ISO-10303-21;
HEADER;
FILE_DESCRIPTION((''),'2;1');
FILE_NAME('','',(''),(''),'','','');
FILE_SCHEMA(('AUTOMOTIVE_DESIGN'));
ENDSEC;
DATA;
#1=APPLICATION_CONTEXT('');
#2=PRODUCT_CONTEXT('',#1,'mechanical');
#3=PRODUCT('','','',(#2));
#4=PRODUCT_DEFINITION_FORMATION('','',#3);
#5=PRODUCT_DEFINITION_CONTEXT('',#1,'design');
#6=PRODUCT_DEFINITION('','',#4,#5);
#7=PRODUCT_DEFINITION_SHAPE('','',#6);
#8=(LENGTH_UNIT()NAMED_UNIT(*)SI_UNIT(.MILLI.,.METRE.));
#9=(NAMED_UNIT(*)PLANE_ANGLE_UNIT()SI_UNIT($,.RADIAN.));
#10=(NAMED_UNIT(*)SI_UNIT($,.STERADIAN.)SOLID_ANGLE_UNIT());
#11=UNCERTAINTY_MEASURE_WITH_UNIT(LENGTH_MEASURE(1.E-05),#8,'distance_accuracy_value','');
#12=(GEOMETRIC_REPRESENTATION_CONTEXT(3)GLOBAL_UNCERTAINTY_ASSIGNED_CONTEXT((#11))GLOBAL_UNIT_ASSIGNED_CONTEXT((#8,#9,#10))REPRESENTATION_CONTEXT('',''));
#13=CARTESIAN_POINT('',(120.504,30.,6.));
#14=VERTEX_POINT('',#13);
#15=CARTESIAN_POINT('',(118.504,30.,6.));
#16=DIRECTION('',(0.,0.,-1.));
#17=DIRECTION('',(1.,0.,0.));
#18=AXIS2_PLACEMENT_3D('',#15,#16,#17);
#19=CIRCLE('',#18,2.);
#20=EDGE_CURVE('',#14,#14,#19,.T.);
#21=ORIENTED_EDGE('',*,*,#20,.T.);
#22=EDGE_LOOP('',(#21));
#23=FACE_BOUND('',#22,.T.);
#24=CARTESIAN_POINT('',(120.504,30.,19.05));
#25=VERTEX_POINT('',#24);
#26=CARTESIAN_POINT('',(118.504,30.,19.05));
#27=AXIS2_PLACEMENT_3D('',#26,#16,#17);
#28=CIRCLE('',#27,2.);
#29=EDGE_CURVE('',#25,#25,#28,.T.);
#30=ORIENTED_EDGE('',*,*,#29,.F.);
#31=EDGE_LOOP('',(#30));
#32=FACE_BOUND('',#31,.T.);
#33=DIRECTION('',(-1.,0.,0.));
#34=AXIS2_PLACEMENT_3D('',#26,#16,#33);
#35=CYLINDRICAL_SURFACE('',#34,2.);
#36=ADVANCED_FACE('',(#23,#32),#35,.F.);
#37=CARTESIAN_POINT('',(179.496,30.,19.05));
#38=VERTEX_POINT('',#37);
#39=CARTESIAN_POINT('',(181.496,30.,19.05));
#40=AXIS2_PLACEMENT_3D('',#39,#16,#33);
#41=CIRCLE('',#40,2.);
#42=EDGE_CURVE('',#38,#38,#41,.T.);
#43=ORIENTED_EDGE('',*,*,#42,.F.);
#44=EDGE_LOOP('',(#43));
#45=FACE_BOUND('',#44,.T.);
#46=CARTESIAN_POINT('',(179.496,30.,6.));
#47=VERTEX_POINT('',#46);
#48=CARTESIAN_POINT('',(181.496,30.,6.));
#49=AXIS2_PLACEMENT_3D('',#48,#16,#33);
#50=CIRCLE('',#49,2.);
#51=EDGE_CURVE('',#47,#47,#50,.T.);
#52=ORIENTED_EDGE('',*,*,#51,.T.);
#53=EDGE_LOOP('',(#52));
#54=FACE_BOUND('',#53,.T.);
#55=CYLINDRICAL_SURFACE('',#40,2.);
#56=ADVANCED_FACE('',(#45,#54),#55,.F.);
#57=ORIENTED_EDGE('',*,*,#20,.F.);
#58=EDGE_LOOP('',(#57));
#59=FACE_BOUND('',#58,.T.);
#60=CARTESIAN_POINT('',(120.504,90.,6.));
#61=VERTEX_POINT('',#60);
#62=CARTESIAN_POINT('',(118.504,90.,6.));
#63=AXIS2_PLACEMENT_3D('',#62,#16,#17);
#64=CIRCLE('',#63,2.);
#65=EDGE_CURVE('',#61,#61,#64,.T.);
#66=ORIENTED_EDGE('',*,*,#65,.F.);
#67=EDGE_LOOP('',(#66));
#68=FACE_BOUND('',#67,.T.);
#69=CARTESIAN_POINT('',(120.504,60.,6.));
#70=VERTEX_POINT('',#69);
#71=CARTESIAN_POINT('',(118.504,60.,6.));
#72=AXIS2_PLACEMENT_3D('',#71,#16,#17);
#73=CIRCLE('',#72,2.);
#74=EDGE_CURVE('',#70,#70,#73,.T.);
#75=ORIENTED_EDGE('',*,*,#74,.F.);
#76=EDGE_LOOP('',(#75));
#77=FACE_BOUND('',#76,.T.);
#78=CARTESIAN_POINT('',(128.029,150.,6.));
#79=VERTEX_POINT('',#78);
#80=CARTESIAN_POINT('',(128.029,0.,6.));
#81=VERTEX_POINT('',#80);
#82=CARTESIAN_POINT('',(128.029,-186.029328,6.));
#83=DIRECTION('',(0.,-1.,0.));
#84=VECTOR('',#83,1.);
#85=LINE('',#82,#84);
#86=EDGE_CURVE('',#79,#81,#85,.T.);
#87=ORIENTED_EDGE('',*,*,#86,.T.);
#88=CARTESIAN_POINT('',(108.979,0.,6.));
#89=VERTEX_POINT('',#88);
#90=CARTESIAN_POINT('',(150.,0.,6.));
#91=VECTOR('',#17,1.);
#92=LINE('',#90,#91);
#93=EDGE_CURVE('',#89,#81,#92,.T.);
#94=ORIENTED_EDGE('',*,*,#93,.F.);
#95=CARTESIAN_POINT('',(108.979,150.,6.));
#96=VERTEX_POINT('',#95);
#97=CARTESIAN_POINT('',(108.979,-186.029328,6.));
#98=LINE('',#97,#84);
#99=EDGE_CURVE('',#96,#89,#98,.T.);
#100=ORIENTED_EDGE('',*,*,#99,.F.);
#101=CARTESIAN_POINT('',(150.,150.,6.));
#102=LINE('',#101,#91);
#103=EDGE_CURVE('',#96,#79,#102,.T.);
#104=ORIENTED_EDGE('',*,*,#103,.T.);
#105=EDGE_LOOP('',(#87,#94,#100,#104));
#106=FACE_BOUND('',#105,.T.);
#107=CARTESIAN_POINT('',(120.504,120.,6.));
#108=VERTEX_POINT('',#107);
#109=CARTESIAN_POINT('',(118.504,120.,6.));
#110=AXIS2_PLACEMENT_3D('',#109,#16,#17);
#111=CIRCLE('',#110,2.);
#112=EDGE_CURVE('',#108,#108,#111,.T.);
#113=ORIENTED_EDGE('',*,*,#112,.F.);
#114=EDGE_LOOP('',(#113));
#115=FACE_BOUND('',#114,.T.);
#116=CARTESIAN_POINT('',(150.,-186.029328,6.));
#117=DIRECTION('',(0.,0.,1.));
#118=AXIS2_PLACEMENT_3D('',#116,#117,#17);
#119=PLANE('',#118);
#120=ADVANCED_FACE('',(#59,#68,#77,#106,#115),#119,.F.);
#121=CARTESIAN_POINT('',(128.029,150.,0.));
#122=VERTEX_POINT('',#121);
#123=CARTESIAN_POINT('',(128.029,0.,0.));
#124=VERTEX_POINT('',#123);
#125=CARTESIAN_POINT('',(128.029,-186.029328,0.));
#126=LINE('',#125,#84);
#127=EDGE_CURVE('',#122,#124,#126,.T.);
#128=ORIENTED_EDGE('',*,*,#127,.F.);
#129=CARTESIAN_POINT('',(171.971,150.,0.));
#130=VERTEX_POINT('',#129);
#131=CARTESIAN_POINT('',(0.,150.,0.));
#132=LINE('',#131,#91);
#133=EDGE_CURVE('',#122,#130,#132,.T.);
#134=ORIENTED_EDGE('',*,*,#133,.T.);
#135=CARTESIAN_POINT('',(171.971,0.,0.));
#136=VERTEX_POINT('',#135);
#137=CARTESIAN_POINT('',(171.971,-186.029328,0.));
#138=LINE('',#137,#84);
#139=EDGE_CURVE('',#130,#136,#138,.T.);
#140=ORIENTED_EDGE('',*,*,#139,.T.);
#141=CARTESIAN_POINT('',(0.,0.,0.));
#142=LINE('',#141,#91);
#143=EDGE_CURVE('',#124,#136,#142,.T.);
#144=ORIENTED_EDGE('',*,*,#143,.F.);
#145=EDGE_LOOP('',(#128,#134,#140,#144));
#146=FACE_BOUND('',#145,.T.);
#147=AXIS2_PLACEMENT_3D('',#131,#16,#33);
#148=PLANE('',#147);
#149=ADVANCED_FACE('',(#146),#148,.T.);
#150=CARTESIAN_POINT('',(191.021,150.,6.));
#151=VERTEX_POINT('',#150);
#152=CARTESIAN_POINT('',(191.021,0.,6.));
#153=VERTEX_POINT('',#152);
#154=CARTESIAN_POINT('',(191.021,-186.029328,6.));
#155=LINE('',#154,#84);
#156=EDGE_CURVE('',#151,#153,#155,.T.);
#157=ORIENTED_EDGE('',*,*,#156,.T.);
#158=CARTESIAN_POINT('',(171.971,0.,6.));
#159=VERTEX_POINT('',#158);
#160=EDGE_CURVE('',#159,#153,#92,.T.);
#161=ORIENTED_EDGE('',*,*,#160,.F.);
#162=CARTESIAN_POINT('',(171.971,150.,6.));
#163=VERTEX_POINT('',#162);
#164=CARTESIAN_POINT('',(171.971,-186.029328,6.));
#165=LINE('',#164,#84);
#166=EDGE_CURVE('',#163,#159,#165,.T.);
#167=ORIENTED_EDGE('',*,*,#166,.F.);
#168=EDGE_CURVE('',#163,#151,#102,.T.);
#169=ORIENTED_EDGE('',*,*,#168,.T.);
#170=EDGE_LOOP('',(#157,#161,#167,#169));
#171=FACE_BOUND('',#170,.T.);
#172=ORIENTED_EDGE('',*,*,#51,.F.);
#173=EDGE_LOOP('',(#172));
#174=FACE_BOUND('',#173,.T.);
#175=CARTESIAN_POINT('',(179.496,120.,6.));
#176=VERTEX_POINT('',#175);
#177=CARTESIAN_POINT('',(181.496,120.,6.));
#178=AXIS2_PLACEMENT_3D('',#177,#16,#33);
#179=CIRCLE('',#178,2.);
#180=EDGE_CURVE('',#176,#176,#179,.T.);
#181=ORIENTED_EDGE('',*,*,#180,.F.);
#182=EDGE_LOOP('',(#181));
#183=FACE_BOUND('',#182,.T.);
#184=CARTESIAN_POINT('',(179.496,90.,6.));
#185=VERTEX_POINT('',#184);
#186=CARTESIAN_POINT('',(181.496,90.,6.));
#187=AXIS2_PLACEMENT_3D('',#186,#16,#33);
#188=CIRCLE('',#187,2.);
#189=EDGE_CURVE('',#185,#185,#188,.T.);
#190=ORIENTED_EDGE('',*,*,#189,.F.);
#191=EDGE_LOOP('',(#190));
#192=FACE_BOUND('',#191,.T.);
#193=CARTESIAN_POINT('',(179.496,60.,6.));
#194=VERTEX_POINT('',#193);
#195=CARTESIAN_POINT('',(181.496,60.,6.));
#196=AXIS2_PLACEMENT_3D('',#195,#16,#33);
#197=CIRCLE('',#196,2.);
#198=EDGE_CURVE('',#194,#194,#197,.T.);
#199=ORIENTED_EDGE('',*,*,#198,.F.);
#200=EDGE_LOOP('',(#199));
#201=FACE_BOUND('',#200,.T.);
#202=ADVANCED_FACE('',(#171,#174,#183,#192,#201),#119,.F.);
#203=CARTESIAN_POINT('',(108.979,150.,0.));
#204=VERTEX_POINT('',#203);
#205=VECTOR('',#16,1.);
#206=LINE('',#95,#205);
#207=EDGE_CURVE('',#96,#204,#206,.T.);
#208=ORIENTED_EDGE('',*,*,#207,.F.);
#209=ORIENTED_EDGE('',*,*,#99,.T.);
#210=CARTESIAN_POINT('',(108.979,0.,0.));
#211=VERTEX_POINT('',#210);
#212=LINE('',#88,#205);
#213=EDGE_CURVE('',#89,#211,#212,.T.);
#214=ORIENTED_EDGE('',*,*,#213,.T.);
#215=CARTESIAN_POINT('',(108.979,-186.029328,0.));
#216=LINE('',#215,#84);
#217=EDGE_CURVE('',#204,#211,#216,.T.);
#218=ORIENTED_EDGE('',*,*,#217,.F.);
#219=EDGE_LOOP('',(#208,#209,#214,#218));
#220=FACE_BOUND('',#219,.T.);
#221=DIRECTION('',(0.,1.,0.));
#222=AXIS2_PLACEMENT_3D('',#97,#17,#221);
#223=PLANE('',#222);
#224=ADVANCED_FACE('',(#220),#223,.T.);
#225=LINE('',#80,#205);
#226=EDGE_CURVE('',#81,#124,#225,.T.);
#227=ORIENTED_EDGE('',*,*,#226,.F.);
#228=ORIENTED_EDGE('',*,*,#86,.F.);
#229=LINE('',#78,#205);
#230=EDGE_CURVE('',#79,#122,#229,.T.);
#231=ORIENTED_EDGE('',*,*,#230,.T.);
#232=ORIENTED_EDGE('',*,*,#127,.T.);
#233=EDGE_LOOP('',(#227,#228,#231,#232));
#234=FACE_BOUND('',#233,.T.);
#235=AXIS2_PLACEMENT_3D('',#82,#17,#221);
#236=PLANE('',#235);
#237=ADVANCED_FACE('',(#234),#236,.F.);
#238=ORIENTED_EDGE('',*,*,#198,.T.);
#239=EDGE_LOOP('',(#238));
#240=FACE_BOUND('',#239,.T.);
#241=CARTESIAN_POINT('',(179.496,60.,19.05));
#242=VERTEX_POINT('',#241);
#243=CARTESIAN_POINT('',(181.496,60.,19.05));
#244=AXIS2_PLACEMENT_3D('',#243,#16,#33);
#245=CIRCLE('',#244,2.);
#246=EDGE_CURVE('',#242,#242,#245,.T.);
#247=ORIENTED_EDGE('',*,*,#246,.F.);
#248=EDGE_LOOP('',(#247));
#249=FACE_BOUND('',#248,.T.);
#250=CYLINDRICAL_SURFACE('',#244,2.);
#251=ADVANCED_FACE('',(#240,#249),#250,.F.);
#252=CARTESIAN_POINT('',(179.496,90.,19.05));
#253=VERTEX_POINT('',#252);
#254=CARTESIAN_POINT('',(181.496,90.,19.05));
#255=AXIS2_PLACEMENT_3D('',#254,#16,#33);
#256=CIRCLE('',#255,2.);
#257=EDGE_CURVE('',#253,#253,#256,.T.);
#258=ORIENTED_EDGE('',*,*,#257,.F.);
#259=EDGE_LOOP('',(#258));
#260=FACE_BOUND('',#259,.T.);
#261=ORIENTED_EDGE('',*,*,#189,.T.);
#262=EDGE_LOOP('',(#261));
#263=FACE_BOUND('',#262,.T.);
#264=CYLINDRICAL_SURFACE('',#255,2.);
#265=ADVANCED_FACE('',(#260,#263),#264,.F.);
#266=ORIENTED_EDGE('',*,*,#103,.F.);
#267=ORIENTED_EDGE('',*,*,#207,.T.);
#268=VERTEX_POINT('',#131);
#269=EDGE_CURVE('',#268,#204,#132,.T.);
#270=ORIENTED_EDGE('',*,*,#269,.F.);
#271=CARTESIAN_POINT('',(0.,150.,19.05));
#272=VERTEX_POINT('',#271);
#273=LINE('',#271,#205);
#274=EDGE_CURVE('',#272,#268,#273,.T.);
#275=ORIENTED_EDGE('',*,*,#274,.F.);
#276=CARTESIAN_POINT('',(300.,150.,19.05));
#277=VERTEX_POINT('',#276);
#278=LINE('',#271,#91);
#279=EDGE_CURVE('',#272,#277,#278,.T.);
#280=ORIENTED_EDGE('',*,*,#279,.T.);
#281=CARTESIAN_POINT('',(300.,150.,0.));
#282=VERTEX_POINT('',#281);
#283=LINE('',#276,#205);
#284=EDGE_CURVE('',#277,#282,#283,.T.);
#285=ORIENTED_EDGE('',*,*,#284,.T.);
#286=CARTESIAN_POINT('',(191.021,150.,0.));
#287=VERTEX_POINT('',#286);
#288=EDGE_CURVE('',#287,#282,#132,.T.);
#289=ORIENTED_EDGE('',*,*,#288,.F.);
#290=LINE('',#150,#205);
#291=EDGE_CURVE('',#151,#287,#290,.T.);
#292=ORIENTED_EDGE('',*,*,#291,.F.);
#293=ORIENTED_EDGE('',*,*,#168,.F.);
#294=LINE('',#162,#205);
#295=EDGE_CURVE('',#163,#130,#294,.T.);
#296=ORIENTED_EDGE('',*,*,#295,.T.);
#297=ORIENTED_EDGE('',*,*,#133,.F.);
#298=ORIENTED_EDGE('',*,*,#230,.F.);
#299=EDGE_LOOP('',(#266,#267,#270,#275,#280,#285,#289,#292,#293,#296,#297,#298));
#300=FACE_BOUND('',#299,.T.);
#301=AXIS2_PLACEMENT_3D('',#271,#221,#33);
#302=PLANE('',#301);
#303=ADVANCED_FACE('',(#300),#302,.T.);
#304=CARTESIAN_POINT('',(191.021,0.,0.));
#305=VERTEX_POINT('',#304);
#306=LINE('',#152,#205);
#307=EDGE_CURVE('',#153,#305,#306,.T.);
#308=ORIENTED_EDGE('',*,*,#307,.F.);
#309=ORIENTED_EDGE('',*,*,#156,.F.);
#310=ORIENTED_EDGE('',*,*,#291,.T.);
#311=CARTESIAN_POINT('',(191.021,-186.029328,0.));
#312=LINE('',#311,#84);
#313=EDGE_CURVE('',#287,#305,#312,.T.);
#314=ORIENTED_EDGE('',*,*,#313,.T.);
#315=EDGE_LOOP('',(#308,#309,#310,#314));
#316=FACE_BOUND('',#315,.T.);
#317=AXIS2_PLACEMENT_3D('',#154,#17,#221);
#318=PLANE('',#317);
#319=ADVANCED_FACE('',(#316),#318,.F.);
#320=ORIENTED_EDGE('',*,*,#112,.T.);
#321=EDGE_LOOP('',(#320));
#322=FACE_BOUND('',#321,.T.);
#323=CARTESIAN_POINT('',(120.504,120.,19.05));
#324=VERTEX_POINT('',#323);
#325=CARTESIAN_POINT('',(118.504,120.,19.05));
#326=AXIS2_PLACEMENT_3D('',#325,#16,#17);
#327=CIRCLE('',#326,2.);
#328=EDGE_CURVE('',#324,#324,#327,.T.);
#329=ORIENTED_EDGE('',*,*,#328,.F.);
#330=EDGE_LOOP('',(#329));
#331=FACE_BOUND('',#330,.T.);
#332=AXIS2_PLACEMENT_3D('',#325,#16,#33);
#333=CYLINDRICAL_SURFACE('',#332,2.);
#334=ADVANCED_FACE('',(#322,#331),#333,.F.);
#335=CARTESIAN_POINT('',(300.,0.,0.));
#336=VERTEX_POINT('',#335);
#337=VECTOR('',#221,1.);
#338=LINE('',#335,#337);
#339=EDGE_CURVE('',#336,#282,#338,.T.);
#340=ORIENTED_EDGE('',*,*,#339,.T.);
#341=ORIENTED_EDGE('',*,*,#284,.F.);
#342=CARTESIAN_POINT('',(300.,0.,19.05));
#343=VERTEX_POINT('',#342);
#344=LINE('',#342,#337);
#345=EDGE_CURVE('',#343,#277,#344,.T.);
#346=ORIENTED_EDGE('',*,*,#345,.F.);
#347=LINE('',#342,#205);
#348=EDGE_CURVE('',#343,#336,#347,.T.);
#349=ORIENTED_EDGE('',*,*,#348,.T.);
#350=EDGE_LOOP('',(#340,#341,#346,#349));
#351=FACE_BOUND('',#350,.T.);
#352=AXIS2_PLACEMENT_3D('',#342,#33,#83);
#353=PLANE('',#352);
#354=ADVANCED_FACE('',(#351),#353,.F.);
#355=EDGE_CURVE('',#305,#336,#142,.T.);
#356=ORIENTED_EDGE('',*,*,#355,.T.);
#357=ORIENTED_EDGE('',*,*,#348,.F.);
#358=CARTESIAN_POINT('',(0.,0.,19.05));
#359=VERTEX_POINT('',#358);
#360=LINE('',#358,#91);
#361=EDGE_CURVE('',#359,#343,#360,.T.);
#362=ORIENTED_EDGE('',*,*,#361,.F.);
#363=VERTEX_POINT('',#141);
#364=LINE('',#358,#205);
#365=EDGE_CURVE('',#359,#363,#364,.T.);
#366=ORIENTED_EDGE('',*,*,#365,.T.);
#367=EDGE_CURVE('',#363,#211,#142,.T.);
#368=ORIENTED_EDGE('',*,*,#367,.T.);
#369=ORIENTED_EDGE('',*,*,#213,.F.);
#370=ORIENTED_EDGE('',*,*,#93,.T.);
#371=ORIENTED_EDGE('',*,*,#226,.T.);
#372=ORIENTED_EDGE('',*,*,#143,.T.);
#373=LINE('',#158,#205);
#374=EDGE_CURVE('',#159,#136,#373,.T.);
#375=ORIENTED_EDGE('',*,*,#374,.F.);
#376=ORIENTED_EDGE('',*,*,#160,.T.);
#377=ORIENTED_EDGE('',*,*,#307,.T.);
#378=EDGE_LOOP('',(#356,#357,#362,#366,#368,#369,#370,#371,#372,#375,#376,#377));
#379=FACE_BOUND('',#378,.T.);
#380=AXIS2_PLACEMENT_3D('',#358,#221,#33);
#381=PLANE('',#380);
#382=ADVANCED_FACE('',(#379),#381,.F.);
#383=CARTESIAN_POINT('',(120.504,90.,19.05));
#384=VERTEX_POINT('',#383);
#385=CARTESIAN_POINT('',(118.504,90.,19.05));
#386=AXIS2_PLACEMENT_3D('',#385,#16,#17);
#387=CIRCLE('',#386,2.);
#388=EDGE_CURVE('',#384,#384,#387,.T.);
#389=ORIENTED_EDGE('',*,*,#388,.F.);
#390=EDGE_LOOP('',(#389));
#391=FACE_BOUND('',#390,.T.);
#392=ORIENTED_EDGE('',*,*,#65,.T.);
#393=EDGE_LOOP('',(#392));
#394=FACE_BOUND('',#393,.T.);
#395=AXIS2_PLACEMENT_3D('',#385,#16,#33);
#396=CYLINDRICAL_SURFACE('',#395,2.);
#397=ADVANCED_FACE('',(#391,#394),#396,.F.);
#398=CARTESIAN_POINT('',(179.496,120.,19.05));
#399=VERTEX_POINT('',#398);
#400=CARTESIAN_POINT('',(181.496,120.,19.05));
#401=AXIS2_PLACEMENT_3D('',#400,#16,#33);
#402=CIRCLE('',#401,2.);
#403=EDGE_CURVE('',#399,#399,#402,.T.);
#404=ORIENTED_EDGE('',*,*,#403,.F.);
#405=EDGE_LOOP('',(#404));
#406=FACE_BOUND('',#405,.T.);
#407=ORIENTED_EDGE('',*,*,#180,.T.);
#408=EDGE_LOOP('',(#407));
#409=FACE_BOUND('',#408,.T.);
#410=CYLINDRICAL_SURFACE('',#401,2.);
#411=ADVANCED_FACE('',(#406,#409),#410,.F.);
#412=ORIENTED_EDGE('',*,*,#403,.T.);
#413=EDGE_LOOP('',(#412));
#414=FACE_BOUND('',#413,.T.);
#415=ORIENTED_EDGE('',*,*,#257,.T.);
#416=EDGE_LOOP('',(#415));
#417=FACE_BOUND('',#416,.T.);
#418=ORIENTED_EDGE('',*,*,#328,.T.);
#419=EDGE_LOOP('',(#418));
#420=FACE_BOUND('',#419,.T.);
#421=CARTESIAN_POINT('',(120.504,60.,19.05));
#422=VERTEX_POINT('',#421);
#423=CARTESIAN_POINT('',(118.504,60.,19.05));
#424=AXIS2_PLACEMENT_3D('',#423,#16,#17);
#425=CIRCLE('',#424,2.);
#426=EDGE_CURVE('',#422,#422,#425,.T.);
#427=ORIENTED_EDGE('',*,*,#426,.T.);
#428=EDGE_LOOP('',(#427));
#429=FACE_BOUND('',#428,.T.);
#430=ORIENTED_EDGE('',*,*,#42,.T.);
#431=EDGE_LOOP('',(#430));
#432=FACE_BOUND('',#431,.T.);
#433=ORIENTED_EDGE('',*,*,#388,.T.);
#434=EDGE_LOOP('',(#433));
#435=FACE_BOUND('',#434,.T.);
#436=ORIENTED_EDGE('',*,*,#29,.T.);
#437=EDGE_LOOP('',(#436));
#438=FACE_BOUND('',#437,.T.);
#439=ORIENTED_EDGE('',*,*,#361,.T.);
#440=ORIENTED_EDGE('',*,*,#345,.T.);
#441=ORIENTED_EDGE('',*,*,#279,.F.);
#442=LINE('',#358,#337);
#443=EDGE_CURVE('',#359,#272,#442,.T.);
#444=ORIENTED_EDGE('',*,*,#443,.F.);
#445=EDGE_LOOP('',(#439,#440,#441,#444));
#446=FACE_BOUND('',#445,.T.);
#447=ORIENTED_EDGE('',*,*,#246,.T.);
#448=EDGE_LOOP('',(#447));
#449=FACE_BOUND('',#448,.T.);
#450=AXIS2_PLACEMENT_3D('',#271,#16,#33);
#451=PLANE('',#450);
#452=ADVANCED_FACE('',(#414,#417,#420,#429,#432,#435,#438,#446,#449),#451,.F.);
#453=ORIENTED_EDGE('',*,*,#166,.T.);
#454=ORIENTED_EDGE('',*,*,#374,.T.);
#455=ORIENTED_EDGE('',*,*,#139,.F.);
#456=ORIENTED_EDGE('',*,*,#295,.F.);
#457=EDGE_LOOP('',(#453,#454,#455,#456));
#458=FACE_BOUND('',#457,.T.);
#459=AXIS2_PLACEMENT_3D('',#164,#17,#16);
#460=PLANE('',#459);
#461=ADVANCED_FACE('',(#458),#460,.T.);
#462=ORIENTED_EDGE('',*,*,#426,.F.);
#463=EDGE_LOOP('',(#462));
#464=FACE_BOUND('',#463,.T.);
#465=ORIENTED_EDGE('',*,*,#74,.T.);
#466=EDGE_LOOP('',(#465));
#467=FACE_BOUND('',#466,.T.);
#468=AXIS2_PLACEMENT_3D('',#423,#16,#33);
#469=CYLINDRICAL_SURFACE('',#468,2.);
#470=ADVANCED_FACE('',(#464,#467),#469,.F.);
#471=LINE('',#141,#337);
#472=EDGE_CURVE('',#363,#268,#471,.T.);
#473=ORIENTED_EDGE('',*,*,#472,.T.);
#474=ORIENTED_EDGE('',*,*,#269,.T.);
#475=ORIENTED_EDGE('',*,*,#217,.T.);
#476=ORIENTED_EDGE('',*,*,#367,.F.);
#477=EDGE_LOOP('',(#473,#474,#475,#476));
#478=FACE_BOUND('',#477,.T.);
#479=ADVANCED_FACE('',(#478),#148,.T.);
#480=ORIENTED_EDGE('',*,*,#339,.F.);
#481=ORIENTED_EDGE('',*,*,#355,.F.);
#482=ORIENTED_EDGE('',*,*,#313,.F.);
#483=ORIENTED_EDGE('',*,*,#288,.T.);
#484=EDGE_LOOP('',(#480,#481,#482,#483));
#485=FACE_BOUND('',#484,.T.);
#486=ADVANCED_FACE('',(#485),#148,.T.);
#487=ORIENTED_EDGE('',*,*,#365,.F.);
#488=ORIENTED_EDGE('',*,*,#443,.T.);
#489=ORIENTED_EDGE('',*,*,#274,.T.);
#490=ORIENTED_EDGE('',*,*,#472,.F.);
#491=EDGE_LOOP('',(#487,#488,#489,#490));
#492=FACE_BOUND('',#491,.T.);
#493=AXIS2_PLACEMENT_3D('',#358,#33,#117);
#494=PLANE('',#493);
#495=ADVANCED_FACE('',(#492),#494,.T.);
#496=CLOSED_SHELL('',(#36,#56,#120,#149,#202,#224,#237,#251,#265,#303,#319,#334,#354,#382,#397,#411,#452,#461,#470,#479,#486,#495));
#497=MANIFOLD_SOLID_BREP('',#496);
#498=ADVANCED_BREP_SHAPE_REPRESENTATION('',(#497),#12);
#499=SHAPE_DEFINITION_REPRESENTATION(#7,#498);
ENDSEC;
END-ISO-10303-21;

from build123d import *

# Parameters (mm, degrees)
SKETCH1_W           = 300
SKETCH1_H           = 150
BOSS_EXTRUDE1_DEPTH = 19.05
SKETCH1_3_W         = 19.05
SKETCH1_3_H         = 150
CUT_EXTRUDE1_DEPTH  = 6
SKETCH4_R           = 2
CUT_EXTRUDE3_DEPTH  = 14.05


with BuildPart() as part:
    # Sketch1 → Boss-Extrude1 (new body)
    with BuildSketch(Plane.XY):
        with Locations((150, 75)):
            Rectangle(SKETCH1_W, SKETCH1_H)
    extrude(amount=BOSS_EXTRUDE1_DEPTH)

    # Sketch1_3 → Cut-Extrude1 (cut)
    with BuildSketch(Plane.XY):
        with Locations((181.496, 75)):
            Rectangle(SKETCH1_3_W, SKETCH1_3_H)
        with Locations((118.504, 75)):
            Rectangle(SKETCH1_3_W, SKETCH1_3_H)
    extrude(amount=CUT_EXTRUDE1_DEPTH, mode=Mode.SUBTRACT)

    # Sketch4 → Cut-Extrude3 (cut, through all)
    with BuildSketch(Plane(origin=(0, 0, 6), x_dir=(-1, 0, 0), z_dir=(0, 0, -1))):
        with Locations((-118.504, 30)):
            Circle(SKETCH4_R)
        with Locations((-181.496, 30)):
            Circle(SKETCH4_R)
        with Locations((-181.496, 60)):
            Circle(SKETCH4_R)
        with Locations((-181.496, 90)):
            Circle(SKETCH4_R)
        with Locations((-181.496, 120)):
            Circle(SKETCH4_R)
        with Locations((-118.504, 60)):
            Circle(SKETCH4_R)
        with Locations((-118.504, 90)):
            Circle(SKETCH4_R)
        with Locations((-118.504, 120)):
            Circle(SKETCH4_R)
    extrude(amount=-CUT_EXTRUDE3_DEPTH, mode=Mode.SUBTRACT)


solid = part.part
